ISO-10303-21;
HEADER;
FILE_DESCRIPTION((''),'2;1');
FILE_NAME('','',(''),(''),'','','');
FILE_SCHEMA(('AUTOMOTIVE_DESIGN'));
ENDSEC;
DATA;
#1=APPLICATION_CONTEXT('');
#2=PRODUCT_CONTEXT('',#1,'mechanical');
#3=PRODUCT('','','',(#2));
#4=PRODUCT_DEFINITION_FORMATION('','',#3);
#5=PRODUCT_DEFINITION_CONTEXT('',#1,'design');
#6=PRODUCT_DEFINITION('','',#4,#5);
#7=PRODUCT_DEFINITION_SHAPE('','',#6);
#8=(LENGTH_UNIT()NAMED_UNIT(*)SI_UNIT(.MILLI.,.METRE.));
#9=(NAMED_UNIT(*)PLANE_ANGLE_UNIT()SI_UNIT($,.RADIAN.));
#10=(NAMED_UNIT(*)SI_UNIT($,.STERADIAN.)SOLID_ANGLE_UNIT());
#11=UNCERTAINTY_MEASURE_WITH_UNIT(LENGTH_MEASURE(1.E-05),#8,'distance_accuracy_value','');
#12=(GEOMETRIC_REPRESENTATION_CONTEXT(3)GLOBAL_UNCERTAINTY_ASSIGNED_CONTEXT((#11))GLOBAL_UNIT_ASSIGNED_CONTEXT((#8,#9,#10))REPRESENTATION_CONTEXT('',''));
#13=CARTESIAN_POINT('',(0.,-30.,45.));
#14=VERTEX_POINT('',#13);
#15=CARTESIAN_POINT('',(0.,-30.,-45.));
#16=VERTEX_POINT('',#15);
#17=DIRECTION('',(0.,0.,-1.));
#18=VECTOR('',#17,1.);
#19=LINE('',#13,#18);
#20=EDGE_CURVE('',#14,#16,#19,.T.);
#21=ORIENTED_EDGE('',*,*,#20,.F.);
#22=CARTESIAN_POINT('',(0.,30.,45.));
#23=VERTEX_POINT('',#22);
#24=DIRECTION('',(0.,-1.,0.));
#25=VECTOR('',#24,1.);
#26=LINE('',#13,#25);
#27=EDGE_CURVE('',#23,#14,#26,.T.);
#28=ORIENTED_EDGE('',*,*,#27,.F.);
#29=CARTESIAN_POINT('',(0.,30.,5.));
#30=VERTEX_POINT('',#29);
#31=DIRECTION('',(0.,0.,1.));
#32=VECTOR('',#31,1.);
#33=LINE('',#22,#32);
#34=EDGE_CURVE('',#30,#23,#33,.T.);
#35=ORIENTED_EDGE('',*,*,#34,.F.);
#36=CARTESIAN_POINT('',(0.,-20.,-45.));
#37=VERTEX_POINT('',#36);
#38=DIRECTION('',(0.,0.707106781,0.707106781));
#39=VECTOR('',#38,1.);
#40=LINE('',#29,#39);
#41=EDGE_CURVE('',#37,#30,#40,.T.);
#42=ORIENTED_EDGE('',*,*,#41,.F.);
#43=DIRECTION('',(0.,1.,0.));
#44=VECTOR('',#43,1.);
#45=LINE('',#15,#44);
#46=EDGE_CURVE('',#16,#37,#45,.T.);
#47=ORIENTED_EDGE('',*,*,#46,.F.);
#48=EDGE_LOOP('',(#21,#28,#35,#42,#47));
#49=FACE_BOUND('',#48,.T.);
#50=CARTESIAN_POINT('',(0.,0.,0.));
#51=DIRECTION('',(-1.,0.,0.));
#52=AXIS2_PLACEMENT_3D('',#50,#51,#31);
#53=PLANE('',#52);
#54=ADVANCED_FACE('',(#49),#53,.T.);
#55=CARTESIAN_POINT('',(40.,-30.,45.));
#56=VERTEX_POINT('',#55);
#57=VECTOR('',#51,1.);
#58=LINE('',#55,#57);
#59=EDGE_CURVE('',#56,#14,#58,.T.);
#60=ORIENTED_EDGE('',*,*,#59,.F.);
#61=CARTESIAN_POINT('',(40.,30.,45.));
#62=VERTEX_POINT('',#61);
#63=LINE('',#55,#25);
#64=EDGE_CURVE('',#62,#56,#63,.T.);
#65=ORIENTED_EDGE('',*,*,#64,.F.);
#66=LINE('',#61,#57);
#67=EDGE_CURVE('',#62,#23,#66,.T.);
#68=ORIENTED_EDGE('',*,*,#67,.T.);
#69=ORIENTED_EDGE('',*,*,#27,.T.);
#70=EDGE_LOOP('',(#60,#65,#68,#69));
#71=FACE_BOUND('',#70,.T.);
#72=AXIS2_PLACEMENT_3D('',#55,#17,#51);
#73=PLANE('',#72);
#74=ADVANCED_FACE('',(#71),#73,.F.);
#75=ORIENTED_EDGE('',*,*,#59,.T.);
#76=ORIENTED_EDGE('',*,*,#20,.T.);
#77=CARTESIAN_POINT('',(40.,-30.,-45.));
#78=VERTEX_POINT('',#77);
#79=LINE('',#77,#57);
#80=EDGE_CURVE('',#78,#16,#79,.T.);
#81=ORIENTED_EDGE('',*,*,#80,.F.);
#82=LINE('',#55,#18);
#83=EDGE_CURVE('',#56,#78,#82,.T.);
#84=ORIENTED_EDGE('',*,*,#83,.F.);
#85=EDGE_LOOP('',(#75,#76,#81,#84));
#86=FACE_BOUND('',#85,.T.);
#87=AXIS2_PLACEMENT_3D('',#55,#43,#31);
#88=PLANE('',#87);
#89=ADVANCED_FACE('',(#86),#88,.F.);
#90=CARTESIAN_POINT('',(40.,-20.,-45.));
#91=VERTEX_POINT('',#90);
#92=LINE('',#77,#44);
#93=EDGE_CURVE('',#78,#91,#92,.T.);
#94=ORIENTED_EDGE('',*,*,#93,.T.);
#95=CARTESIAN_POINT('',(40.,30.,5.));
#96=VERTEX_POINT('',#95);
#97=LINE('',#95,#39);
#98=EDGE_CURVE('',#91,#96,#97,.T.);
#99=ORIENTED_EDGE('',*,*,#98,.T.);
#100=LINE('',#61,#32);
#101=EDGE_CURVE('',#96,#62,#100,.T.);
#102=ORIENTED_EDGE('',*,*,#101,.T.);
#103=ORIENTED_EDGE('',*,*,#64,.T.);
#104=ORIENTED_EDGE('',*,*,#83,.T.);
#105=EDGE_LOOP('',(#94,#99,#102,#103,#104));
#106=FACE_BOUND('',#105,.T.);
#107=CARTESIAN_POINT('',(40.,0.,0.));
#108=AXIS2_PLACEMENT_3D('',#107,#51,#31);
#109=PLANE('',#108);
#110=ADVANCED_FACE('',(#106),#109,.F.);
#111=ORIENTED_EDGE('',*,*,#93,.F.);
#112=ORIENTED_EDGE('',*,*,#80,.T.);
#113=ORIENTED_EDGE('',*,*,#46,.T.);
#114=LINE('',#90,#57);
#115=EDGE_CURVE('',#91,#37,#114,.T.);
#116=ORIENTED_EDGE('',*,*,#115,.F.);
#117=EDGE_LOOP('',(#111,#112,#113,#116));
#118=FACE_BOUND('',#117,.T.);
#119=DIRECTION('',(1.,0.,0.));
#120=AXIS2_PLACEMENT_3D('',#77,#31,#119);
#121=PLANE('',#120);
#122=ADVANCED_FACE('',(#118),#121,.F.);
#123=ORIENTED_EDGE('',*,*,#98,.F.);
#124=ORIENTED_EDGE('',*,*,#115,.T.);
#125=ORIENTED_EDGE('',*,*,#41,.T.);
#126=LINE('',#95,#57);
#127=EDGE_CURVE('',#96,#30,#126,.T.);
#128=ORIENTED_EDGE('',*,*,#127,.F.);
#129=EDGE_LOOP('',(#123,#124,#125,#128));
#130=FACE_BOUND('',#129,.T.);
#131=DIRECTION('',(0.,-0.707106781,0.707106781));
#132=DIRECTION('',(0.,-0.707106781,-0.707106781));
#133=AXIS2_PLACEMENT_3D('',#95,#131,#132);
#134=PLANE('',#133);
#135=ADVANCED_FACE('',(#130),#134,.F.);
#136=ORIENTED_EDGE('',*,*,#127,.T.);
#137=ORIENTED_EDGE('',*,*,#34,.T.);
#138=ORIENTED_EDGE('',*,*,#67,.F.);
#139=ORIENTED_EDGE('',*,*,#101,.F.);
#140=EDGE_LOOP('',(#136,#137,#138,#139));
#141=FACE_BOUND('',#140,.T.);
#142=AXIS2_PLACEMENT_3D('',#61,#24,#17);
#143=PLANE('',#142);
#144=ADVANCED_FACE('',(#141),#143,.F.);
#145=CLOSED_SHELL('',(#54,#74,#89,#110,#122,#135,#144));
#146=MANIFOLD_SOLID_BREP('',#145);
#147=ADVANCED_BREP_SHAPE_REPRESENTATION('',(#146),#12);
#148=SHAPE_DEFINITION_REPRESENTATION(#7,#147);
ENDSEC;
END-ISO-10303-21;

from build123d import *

# Parameters (mm, degrees)
SALIENTE_EXTRUIR3_DEPTH = 40


with BuildPart() as part:
    # Croquis4 → Saliente-Extruir3 (new body)
    with BuildSketch(Plane(origin=(0, 0, 0), x_dir=(0, 0, -1), z_dir=(1, 0, 0))):
        Polygon((-5, 30), (45, -20), (45, -30), (-45, -30), (-45, 30), align=None)
    extrude(amount=SALIENTE_EXTRUIR3_DEPTH)


solid = part.part
